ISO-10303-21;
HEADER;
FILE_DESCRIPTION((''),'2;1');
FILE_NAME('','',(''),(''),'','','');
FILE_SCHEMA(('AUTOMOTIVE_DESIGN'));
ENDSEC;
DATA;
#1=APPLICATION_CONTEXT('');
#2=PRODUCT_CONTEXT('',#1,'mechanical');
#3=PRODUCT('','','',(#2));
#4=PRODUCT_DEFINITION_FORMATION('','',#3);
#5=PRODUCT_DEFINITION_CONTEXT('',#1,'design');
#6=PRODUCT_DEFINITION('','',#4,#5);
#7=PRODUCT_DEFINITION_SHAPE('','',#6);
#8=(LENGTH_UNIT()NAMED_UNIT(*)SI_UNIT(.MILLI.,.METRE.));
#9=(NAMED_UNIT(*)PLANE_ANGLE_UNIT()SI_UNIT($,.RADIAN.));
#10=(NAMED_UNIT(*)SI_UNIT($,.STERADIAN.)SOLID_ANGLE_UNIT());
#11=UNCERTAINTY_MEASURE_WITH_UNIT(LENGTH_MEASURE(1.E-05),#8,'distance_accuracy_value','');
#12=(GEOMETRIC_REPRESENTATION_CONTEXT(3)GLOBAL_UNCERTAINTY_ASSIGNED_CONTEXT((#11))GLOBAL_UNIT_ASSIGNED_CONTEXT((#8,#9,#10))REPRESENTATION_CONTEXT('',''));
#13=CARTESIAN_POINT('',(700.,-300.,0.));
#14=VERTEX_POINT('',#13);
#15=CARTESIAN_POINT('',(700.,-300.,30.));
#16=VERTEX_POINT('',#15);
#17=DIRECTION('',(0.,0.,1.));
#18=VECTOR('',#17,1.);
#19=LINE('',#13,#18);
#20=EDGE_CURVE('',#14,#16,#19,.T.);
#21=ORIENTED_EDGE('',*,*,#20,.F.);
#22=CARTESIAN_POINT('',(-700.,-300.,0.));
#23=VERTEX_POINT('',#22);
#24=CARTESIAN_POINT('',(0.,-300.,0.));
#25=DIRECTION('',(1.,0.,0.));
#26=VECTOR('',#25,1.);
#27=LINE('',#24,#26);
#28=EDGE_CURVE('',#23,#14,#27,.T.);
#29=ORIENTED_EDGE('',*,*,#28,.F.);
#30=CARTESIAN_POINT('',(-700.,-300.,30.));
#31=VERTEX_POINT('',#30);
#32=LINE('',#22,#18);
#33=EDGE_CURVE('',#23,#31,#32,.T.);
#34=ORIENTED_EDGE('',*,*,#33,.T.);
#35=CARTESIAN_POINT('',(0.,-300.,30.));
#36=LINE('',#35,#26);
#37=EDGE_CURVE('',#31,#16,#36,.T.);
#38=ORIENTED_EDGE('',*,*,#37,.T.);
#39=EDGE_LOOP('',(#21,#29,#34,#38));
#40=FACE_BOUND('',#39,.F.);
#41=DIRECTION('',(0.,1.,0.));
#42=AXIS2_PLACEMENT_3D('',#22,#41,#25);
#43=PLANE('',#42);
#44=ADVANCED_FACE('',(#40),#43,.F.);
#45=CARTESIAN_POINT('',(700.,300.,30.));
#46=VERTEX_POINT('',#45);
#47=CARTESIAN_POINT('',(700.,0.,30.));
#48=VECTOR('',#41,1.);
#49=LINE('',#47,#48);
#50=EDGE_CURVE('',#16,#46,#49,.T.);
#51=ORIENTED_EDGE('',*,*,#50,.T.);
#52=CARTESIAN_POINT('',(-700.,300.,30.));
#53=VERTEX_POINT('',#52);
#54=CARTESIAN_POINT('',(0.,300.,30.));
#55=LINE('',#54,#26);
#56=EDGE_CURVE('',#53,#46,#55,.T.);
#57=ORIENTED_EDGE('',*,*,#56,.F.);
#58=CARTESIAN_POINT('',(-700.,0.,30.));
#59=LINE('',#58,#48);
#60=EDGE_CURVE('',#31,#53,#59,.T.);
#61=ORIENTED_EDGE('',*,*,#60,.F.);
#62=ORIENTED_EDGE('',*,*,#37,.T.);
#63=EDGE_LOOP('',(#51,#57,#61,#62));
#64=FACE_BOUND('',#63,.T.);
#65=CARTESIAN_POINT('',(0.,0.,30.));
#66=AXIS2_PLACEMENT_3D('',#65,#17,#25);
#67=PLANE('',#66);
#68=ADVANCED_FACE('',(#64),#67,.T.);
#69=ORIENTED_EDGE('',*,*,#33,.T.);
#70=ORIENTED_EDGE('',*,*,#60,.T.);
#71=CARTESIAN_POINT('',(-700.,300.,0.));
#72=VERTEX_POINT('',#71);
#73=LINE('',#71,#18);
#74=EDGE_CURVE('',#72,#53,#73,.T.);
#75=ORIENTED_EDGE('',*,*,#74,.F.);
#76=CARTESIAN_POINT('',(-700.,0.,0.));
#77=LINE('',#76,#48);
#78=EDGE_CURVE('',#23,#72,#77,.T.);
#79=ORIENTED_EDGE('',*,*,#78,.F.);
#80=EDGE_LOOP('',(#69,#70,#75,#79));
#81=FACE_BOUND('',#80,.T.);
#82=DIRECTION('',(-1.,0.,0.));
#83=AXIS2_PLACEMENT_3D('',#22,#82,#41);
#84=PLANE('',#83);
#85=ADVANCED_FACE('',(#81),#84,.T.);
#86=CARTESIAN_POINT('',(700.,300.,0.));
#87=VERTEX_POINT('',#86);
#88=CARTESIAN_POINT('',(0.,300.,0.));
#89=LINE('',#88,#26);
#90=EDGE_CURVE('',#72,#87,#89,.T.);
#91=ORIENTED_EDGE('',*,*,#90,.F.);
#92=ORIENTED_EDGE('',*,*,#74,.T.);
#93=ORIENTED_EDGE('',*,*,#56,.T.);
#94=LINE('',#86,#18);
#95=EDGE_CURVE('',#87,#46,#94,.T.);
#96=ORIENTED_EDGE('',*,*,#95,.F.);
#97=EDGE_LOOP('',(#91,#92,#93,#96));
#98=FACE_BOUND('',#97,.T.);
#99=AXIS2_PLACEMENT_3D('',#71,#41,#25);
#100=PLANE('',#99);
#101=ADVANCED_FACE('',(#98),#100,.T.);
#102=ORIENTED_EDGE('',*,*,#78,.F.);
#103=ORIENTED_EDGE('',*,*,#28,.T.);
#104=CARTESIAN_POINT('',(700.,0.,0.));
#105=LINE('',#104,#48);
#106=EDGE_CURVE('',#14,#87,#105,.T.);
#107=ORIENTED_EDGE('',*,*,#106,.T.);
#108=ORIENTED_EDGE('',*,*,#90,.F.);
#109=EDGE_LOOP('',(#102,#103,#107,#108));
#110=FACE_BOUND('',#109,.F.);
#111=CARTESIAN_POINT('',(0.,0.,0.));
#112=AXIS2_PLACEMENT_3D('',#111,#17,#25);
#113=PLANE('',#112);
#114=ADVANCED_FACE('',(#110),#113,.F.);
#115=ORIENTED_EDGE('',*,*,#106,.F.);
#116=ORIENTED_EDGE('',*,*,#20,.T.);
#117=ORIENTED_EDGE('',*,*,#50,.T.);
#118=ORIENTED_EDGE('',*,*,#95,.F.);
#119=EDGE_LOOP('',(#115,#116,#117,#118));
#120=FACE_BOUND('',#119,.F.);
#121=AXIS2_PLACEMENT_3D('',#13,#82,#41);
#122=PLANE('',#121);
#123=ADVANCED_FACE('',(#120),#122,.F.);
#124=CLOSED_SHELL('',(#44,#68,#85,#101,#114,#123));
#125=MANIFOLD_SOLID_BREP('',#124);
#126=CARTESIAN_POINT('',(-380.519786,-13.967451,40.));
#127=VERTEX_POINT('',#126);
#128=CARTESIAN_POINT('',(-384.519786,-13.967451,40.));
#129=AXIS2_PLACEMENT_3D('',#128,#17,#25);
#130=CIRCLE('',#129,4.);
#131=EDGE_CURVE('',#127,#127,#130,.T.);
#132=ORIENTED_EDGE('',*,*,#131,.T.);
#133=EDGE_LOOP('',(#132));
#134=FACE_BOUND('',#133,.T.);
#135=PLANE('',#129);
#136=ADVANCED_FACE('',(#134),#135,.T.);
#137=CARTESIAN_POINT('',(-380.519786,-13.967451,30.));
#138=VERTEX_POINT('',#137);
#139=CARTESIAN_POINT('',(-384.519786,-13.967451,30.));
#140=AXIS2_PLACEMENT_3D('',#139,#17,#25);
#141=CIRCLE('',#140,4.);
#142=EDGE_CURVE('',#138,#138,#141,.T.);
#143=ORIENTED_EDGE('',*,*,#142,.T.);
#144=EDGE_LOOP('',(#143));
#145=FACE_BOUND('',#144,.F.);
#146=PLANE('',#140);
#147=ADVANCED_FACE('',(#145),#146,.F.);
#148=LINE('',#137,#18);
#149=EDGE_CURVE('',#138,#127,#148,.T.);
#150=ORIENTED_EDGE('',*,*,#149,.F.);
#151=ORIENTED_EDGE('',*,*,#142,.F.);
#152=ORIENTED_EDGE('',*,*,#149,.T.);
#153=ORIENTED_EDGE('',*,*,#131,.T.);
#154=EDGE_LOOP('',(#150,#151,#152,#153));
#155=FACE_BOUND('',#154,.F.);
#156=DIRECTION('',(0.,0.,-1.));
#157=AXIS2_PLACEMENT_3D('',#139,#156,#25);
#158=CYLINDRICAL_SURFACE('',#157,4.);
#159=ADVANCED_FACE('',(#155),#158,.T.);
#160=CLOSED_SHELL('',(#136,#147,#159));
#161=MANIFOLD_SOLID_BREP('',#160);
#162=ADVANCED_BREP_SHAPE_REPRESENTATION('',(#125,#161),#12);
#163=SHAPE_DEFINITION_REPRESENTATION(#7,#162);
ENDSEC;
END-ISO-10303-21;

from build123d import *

# Parameters (mm, degrees)
F0_W     = 1400
F0_H     = 600
F1_DEPTH = 30
F3_R     = 4
F4_DEPTH = 10


with BuildPart() as f1:
    # F0 (on Top) → F1 (new body)
    with BuildSketch(Plane.XY):
        Rectangle(F0_W, F0_H)
    extrude(amount=F1_DEPTH)


with BuildPart() as f4:
    # F3 (on face) → F4 (new body)
    with BuildSketch(Plane.XY.offset(30)):
        with Locations((-384.519786, -13.967451)):
            Circle(F3_R)
    extrude(amount=F4_DEPTH)


solid = Compound([f1.part, f4.part])
